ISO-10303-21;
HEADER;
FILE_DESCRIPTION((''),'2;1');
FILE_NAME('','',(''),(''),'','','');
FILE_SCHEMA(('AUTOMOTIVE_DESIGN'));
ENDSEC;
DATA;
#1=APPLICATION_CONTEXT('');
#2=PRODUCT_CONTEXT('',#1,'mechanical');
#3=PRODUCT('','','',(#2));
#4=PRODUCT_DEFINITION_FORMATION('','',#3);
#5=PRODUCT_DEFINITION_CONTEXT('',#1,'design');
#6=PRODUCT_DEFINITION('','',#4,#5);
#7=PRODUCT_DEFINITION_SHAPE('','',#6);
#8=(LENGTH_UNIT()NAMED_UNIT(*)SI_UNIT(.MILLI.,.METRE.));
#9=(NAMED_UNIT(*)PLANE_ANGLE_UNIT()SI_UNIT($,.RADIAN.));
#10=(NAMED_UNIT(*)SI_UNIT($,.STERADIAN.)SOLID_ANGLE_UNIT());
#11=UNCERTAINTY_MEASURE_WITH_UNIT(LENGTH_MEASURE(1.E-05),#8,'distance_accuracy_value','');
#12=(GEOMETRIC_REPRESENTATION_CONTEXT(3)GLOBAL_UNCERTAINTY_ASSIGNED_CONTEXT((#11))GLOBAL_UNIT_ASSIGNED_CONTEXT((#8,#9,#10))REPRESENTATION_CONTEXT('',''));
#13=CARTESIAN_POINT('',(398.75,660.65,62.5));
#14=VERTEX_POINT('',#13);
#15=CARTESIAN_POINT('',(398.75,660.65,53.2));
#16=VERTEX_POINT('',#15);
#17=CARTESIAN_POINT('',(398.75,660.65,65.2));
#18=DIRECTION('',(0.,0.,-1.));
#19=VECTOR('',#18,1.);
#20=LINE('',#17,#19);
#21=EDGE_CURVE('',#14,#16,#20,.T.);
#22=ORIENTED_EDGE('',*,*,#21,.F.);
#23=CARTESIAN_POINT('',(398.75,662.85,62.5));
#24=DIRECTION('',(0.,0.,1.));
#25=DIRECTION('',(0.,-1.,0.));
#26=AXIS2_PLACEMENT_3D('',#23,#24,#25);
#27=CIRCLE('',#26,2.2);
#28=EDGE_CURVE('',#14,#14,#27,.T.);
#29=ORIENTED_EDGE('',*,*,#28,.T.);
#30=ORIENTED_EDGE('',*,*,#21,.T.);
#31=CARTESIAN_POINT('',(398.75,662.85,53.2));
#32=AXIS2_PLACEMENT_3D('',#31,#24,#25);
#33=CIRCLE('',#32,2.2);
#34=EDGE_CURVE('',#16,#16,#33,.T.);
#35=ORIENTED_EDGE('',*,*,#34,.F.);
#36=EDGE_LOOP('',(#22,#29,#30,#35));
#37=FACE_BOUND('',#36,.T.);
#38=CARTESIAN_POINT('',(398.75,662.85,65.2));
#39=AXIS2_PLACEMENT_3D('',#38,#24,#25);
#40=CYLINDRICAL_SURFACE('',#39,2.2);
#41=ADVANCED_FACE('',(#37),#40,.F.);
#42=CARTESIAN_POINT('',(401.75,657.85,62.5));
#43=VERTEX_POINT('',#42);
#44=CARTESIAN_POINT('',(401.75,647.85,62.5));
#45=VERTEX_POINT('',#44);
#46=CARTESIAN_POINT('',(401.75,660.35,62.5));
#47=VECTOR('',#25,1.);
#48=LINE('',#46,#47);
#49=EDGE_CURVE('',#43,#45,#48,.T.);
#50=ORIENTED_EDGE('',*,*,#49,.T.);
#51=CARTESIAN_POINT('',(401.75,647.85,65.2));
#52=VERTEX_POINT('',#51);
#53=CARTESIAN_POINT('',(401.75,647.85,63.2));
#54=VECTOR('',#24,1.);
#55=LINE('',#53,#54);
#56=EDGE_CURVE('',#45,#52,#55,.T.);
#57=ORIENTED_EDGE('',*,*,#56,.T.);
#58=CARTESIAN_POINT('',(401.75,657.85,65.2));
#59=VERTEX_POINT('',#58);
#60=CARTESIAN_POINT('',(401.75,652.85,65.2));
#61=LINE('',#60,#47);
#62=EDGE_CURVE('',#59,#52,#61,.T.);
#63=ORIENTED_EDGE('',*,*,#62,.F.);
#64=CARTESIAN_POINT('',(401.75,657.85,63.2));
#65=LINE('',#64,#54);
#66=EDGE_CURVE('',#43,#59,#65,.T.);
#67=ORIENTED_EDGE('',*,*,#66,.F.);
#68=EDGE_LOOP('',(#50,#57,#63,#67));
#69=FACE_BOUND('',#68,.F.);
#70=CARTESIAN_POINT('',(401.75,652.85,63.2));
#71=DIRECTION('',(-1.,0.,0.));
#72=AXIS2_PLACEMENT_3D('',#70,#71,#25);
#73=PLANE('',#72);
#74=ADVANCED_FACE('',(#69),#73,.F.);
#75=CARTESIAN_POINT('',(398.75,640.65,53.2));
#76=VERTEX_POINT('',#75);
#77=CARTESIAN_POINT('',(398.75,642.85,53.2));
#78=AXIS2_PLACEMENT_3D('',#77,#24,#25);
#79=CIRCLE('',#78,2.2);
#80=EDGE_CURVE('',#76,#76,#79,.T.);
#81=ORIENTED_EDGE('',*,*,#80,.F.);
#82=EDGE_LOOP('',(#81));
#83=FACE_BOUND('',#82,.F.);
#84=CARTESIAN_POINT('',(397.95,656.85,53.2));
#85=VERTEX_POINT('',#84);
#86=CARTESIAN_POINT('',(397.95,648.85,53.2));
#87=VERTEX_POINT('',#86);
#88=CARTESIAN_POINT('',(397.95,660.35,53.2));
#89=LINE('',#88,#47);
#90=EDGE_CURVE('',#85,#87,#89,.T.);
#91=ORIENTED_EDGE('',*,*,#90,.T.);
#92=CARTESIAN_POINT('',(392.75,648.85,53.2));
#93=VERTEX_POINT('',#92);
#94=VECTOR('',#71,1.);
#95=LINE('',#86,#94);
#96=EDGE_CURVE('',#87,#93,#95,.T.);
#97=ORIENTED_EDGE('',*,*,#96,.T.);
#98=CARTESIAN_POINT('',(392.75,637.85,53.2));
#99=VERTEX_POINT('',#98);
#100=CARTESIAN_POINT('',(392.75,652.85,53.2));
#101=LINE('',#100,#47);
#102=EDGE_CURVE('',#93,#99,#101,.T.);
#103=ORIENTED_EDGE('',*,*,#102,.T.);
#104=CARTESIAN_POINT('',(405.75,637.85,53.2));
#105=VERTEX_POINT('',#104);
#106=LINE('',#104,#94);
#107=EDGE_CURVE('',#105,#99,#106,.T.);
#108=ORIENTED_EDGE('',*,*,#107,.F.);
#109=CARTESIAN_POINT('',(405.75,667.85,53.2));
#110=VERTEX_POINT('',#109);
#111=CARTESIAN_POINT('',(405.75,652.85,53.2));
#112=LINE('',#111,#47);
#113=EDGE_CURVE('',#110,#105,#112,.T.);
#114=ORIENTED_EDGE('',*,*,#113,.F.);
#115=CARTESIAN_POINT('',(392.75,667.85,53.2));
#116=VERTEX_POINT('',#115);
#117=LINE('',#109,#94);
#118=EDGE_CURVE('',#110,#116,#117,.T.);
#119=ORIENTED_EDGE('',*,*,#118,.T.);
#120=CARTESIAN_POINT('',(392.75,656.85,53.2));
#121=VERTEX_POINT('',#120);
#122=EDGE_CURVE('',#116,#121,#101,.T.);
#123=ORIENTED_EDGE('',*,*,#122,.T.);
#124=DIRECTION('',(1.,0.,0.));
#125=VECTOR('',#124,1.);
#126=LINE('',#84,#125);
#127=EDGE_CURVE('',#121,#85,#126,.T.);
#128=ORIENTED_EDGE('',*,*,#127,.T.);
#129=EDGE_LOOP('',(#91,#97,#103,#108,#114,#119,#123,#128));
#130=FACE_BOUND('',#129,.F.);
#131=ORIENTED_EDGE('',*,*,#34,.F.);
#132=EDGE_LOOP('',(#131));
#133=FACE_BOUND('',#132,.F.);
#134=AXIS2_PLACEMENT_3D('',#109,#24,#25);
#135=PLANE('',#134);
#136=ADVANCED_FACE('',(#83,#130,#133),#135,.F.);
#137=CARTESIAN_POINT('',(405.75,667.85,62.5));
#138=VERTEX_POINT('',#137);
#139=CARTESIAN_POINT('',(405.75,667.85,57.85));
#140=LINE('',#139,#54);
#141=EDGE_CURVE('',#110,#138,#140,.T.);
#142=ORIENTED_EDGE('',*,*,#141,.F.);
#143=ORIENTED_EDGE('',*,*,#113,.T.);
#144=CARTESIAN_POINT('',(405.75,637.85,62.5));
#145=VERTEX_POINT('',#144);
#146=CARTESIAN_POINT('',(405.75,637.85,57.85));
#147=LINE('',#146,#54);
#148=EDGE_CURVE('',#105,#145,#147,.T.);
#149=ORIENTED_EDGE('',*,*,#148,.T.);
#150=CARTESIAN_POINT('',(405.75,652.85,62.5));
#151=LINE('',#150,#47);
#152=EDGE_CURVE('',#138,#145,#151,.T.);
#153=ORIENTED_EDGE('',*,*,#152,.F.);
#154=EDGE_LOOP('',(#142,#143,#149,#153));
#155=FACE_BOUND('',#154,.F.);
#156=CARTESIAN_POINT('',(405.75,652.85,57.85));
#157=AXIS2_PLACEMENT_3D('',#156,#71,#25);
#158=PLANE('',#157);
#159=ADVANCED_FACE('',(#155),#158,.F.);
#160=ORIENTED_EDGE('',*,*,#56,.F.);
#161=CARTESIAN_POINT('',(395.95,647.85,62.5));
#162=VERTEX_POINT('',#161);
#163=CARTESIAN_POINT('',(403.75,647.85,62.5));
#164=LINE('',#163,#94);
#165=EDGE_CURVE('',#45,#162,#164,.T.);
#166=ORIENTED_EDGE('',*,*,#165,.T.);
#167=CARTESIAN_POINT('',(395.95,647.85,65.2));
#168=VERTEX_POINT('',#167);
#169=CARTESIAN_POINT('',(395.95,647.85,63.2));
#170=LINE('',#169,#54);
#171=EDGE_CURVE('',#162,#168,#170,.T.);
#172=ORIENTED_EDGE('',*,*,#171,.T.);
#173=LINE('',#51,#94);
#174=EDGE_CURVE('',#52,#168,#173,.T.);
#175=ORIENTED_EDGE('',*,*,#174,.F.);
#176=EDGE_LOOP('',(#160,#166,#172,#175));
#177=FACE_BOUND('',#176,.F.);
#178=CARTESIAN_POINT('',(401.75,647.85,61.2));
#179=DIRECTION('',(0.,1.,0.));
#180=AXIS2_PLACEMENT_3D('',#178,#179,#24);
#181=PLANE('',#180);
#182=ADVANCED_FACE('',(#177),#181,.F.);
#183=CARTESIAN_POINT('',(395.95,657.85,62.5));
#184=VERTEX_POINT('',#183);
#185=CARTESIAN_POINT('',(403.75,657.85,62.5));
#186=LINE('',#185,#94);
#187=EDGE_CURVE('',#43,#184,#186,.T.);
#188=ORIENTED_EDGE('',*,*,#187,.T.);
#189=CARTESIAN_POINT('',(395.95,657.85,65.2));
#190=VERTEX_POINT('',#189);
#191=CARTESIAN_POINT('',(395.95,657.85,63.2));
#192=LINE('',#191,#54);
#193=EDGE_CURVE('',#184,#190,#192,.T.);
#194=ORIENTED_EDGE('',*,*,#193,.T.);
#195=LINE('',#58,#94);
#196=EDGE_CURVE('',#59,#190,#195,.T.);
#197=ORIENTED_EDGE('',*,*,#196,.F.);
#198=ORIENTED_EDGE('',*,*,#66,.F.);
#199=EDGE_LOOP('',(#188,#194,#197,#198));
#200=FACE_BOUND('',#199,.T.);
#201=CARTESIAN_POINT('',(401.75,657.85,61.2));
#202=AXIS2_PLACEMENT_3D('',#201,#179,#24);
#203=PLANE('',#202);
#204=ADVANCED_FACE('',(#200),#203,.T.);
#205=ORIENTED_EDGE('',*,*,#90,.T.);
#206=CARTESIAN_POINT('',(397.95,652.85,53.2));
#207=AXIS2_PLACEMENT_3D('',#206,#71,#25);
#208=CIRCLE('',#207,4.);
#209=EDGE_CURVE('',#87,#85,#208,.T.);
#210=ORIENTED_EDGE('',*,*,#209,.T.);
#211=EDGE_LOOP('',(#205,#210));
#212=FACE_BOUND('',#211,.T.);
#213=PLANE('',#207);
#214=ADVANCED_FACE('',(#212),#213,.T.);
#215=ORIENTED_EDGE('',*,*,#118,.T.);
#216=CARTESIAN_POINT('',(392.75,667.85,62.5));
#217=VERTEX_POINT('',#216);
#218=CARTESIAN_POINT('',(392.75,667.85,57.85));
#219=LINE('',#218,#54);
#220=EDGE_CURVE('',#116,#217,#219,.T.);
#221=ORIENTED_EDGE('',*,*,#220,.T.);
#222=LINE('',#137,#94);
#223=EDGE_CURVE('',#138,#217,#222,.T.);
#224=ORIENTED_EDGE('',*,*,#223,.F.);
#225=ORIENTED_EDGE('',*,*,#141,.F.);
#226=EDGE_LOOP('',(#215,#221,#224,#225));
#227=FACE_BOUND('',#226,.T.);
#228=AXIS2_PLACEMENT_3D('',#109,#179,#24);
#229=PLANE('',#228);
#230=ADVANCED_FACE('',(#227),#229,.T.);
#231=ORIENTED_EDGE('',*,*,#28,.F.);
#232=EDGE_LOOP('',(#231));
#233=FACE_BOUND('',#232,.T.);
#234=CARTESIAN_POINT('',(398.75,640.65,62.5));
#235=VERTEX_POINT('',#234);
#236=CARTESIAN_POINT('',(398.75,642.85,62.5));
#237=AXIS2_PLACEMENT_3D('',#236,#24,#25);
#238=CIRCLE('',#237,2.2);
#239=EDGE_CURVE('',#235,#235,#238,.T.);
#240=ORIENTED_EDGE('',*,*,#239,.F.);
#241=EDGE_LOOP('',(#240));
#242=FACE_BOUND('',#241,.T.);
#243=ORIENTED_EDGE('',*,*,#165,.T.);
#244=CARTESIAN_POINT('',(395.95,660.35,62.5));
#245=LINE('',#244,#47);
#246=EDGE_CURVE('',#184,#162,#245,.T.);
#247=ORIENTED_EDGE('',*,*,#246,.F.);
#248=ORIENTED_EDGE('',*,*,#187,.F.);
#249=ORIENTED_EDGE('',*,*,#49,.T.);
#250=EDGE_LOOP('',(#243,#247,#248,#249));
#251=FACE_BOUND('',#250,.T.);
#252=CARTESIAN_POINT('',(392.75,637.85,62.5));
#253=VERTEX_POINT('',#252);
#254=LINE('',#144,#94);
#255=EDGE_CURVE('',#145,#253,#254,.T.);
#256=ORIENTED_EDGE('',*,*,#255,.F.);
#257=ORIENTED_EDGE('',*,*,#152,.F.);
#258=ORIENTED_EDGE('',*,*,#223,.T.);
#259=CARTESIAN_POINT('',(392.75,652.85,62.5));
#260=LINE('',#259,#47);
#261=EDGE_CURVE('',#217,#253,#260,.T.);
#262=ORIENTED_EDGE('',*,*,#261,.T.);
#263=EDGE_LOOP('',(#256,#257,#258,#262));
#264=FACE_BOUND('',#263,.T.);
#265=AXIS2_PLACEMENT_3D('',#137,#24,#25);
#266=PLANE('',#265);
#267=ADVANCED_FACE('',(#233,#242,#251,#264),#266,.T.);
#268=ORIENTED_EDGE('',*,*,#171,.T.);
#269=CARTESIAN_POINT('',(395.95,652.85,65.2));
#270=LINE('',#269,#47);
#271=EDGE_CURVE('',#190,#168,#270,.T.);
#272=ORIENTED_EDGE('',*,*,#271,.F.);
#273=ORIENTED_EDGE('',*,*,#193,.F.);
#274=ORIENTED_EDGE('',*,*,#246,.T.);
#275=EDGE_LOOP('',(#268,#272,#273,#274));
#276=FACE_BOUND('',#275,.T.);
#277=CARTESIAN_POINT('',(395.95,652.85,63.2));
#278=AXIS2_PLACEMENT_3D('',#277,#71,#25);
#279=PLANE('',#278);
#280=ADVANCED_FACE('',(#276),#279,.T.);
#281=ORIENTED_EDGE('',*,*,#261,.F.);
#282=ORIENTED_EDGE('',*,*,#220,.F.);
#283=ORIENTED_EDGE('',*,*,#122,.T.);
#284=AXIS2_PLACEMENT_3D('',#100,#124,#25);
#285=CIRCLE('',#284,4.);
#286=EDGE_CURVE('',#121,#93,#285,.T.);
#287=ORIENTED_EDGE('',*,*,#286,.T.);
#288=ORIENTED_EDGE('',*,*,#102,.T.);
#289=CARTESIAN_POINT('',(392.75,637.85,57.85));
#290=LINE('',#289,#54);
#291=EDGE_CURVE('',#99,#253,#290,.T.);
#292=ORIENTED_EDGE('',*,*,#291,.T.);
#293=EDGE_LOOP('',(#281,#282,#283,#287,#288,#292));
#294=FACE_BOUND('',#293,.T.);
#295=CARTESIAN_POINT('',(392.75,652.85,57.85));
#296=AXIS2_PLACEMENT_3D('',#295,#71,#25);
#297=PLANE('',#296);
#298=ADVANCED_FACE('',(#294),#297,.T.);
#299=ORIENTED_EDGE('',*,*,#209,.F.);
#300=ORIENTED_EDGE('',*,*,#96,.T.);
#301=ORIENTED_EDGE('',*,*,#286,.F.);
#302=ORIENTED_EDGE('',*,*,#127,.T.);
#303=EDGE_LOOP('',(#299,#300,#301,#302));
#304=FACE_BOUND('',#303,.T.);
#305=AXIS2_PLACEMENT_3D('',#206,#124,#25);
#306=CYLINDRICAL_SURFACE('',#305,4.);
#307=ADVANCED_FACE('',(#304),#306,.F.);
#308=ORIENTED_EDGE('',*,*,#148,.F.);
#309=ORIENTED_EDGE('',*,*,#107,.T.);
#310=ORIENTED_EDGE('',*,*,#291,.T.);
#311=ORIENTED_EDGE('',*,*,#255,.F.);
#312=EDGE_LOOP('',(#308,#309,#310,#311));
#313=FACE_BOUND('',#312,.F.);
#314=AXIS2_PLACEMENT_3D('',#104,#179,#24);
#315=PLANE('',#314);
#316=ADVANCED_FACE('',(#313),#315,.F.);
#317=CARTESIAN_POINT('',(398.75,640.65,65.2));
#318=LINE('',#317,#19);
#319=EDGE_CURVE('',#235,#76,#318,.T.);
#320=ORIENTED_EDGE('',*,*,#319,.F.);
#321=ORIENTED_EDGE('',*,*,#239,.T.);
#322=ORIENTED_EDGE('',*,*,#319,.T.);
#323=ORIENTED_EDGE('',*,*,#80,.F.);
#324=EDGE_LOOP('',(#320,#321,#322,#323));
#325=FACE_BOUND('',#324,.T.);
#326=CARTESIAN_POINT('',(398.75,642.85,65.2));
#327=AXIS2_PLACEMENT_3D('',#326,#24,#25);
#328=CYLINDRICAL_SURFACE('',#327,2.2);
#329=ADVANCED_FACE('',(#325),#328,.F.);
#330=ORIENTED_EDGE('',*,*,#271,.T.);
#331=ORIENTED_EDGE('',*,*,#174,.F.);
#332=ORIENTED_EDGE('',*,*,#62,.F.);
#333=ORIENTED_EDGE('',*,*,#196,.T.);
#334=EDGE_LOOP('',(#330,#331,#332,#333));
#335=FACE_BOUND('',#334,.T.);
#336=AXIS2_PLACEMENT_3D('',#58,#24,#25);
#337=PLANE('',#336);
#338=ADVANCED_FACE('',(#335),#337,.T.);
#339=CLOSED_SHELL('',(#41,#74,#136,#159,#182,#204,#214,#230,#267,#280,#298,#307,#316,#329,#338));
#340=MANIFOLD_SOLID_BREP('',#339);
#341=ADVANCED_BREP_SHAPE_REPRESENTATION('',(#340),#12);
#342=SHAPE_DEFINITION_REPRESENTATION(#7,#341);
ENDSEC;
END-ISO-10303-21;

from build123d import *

# Parameters (mm, degrees)
BOX056_W                  = 10
BOX056_H                  = 4
BOX056_DEPTH              = 5.8
CYLINDER077_R             = 2.2
CYLINDER077_DEPTH         = 25
CYLINDER076_R             = 2.2
CYLINDER076_DEPTH         = 25
CYLINDER075_R             = 4
CYLINDER075_DEPTH         = 6
BOX055_W                  = 30
BOX055_H                  = 9.3
BOX055_DEPTH              = 13
FUSION046_ROLL_ANGLE      = 90
FUSION046_PLACEMENT_ANGLE = -90


with BuildPart() as quader035:
    # Box056 → Box056 (new body)
    with BuildSketch(Plane(origin=(-5, 8, 2), x_dir=(1, 0, 0), z_dir=(0, 0, 1))):
        with Locations((5, 2)):
            Rectangle(BOX056_W, BOX056_H)
    extrude(amount=BOX056_DEPTH)


with BuildPart() as zylinder066:
    # Cylinder077 → Cylinder077 (new body)
    with BuildSketch(Plane(origin=(-10, 12, 5), x_dir=(1, 0, 0), z_dir=(0, -1, 0))):
        Circle(CYLINDER077_R)
    extrude(amount=CYLINDER077_DEPTH)


with BuildPart() as zylinder065:
    # Cylinder076 → Cylinder076 (new body)
    with BuildSketch(Plane(origin=(10, 12, 5), x_dir=(1, 0, 0), z_dir=(0, -1, 0))):
        Circle(CYLINDER076_R)
    extrude(amount=CYLINDER076_DEPTH)


with BuildPart() as zylinder064:
    # Cylinder075 → Cylinder075 (new body)
    with BuildSketch(Plane.XY.offset(5.8)):
        Circle(CYLINDER075_R)
    extrude(amount=CYLINDER075_DEPTH)


with BuildPart() as y_drive_mount004:
    # Box055 → Box055 (new body)
    with BuildSketch(Plane(origin=(-15, 0, -2), x_dir=(1, 0, 0), z_dir=(0, 0, 1))):
        with Locations((15, 4.65)):
            Rectangle(BOX055_W, BOX055_H)
    extrude(amount=BOX055_DEPTH)

    # Cut084: cut Zylinder064
    add(zylinder064.part, mode=Mode.SUBTRACT)

    # Cut085: cut Zylinder065
    add(zylinder065.part, mode=Mode.SUBTRACT)

    # Cut086: cut Zylinder066
    add(zylinder066.part, mode=Mode.SUBTRACT)

    # Fusion046: union Quader035
    add(quader035.part)


with BuildPart() as y_drive_mount004_1:
    # Fusion046 roll: moved
    add(y_drive_mount004.part.rotate(Axis((0, 0, 0), (1, 0, 0)), FUSION046_ROLL_ANGLE))


with BuildPart() as y_drive_mount004_2:
    # Fusion046 placement: moved
    add(y_drive_mount004_1.part.moved(Location((403.75, 652.85, 53.2))).rotate(Axis((403.75, 652.85, 53.2), (0, 0, 1)), FUSION046_PLACEMENT_ANGLE))


solid = y_drive_mount004_2.part
